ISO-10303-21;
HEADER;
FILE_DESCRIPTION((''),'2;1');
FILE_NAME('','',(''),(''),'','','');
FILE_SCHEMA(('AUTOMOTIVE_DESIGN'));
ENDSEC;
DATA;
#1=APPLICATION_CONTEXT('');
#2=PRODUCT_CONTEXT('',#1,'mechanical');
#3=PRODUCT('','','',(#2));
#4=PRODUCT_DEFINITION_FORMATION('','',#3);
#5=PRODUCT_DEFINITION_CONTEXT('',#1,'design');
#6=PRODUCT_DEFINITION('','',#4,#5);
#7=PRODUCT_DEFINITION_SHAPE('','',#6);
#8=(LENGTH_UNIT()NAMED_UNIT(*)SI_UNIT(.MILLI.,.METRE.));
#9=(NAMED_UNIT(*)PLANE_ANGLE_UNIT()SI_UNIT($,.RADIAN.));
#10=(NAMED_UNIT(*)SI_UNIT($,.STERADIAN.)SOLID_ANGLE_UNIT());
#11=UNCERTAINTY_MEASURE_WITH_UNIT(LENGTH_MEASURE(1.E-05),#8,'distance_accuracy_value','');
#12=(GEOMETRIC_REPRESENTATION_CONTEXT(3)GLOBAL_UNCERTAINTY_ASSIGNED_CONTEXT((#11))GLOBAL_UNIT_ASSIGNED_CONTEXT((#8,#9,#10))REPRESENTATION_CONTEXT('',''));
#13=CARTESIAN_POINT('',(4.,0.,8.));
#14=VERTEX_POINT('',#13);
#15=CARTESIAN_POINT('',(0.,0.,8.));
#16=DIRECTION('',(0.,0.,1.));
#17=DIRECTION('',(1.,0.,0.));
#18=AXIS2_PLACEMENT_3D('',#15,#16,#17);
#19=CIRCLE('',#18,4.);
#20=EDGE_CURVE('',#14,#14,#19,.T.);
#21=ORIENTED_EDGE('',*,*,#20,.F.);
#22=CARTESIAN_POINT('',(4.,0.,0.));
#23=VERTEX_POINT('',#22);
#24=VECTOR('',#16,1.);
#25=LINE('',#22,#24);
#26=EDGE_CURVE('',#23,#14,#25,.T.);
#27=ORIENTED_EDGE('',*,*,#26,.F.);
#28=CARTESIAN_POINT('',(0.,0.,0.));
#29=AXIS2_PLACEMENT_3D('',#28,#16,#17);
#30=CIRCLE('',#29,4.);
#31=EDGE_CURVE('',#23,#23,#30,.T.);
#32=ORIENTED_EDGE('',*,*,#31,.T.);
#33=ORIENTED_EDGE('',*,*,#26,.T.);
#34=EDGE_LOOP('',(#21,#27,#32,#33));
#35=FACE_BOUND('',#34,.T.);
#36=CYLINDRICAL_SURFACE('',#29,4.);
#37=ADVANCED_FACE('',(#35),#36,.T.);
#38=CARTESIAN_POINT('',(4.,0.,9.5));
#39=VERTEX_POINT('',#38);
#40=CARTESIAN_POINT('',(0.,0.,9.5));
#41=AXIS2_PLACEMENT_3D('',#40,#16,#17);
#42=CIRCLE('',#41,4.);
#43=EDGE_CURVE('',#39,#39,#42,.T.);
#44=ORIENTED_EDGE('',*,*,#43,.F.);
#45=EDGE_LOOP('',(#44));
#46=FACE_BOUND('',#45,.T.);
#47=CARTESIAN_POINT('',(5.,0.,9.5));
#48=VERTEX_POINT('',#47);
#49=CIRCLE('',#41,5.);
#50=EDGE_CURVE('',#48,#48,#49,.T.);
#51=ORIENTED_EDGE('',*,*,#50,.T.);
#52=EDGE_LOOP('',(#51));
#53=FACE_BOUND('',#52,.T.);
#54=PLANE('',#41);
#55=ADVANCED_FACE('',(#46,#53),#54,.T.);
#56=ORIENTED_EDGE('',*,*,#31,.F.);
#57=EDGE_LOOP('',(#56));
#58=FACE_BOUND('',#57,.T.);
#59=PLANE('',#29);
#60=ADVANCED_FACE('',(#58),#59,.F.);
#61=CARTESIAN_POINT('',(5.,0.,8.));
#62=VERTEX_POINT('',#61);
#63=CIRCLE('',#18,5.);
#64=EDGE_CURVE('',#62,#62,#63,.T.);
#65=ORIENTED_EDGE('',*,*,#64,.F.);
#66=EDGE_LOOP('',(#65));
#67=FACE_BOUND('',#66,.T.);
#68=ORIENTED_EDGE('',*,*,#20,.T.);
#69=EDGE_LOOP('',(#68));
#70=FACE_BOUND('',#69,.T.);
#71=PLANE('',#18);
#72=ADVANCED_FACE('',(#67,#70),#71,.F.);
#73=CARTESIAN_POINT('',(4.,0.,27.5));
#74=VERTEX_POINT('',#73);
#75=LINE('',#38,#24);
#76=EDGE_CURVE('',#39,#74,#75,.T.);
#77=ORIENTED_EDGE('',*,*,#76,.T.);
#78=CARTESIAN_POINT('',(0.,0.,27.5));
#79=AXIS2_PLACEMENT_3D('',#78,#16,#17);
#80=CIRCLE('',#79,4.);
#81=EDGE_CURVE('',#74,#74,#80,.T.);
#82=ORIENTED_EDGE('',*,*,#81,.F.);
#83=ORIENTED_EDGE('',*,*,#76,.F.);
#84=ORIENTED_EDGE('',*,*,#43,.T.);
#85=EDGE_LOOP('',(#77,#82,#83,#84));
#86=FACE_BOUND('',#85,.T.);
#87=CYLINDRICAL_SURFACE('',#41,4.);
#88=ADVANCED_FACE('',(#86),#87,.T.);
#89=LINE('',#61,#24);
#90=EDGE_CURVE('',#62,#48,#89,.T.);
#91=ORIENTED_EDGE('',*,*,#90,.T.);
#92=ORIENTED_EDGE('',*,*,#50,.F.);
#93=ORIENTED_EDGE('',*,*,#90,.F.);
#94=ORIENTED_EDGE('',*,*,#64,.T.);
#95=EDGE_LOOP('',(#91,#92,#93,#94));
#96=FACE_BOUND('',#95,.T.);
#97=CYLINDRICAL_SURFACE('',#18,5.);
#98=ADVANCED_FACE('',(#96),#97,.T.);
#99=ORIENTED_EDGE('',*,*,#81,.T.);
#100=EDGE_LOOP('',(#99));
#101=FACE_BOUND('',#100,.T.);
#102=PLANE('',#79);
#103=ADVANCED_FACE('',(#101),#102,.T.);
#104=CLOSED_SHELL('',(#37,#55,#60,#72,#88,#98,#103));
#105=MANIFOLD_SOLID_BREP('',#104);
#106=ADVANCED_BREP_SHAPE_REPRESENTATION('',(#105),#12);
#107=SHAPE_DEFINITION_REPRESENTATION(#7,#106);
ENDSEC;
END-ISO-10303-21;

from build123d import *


with BuildPart() as part:
    # Sketch → Revolution (revolve)
    with BuildSketch(Plane.XZ):
        Polygon((0, 0), (4, 0), (4, 8), (5, 8), (5, 9.5), (4, 9.5), (4, 27.5), (0, 27.5), align=None)
    revolve(axis=Axis((0, 0, 0), (0, 0, 1)))


solid = part.part
